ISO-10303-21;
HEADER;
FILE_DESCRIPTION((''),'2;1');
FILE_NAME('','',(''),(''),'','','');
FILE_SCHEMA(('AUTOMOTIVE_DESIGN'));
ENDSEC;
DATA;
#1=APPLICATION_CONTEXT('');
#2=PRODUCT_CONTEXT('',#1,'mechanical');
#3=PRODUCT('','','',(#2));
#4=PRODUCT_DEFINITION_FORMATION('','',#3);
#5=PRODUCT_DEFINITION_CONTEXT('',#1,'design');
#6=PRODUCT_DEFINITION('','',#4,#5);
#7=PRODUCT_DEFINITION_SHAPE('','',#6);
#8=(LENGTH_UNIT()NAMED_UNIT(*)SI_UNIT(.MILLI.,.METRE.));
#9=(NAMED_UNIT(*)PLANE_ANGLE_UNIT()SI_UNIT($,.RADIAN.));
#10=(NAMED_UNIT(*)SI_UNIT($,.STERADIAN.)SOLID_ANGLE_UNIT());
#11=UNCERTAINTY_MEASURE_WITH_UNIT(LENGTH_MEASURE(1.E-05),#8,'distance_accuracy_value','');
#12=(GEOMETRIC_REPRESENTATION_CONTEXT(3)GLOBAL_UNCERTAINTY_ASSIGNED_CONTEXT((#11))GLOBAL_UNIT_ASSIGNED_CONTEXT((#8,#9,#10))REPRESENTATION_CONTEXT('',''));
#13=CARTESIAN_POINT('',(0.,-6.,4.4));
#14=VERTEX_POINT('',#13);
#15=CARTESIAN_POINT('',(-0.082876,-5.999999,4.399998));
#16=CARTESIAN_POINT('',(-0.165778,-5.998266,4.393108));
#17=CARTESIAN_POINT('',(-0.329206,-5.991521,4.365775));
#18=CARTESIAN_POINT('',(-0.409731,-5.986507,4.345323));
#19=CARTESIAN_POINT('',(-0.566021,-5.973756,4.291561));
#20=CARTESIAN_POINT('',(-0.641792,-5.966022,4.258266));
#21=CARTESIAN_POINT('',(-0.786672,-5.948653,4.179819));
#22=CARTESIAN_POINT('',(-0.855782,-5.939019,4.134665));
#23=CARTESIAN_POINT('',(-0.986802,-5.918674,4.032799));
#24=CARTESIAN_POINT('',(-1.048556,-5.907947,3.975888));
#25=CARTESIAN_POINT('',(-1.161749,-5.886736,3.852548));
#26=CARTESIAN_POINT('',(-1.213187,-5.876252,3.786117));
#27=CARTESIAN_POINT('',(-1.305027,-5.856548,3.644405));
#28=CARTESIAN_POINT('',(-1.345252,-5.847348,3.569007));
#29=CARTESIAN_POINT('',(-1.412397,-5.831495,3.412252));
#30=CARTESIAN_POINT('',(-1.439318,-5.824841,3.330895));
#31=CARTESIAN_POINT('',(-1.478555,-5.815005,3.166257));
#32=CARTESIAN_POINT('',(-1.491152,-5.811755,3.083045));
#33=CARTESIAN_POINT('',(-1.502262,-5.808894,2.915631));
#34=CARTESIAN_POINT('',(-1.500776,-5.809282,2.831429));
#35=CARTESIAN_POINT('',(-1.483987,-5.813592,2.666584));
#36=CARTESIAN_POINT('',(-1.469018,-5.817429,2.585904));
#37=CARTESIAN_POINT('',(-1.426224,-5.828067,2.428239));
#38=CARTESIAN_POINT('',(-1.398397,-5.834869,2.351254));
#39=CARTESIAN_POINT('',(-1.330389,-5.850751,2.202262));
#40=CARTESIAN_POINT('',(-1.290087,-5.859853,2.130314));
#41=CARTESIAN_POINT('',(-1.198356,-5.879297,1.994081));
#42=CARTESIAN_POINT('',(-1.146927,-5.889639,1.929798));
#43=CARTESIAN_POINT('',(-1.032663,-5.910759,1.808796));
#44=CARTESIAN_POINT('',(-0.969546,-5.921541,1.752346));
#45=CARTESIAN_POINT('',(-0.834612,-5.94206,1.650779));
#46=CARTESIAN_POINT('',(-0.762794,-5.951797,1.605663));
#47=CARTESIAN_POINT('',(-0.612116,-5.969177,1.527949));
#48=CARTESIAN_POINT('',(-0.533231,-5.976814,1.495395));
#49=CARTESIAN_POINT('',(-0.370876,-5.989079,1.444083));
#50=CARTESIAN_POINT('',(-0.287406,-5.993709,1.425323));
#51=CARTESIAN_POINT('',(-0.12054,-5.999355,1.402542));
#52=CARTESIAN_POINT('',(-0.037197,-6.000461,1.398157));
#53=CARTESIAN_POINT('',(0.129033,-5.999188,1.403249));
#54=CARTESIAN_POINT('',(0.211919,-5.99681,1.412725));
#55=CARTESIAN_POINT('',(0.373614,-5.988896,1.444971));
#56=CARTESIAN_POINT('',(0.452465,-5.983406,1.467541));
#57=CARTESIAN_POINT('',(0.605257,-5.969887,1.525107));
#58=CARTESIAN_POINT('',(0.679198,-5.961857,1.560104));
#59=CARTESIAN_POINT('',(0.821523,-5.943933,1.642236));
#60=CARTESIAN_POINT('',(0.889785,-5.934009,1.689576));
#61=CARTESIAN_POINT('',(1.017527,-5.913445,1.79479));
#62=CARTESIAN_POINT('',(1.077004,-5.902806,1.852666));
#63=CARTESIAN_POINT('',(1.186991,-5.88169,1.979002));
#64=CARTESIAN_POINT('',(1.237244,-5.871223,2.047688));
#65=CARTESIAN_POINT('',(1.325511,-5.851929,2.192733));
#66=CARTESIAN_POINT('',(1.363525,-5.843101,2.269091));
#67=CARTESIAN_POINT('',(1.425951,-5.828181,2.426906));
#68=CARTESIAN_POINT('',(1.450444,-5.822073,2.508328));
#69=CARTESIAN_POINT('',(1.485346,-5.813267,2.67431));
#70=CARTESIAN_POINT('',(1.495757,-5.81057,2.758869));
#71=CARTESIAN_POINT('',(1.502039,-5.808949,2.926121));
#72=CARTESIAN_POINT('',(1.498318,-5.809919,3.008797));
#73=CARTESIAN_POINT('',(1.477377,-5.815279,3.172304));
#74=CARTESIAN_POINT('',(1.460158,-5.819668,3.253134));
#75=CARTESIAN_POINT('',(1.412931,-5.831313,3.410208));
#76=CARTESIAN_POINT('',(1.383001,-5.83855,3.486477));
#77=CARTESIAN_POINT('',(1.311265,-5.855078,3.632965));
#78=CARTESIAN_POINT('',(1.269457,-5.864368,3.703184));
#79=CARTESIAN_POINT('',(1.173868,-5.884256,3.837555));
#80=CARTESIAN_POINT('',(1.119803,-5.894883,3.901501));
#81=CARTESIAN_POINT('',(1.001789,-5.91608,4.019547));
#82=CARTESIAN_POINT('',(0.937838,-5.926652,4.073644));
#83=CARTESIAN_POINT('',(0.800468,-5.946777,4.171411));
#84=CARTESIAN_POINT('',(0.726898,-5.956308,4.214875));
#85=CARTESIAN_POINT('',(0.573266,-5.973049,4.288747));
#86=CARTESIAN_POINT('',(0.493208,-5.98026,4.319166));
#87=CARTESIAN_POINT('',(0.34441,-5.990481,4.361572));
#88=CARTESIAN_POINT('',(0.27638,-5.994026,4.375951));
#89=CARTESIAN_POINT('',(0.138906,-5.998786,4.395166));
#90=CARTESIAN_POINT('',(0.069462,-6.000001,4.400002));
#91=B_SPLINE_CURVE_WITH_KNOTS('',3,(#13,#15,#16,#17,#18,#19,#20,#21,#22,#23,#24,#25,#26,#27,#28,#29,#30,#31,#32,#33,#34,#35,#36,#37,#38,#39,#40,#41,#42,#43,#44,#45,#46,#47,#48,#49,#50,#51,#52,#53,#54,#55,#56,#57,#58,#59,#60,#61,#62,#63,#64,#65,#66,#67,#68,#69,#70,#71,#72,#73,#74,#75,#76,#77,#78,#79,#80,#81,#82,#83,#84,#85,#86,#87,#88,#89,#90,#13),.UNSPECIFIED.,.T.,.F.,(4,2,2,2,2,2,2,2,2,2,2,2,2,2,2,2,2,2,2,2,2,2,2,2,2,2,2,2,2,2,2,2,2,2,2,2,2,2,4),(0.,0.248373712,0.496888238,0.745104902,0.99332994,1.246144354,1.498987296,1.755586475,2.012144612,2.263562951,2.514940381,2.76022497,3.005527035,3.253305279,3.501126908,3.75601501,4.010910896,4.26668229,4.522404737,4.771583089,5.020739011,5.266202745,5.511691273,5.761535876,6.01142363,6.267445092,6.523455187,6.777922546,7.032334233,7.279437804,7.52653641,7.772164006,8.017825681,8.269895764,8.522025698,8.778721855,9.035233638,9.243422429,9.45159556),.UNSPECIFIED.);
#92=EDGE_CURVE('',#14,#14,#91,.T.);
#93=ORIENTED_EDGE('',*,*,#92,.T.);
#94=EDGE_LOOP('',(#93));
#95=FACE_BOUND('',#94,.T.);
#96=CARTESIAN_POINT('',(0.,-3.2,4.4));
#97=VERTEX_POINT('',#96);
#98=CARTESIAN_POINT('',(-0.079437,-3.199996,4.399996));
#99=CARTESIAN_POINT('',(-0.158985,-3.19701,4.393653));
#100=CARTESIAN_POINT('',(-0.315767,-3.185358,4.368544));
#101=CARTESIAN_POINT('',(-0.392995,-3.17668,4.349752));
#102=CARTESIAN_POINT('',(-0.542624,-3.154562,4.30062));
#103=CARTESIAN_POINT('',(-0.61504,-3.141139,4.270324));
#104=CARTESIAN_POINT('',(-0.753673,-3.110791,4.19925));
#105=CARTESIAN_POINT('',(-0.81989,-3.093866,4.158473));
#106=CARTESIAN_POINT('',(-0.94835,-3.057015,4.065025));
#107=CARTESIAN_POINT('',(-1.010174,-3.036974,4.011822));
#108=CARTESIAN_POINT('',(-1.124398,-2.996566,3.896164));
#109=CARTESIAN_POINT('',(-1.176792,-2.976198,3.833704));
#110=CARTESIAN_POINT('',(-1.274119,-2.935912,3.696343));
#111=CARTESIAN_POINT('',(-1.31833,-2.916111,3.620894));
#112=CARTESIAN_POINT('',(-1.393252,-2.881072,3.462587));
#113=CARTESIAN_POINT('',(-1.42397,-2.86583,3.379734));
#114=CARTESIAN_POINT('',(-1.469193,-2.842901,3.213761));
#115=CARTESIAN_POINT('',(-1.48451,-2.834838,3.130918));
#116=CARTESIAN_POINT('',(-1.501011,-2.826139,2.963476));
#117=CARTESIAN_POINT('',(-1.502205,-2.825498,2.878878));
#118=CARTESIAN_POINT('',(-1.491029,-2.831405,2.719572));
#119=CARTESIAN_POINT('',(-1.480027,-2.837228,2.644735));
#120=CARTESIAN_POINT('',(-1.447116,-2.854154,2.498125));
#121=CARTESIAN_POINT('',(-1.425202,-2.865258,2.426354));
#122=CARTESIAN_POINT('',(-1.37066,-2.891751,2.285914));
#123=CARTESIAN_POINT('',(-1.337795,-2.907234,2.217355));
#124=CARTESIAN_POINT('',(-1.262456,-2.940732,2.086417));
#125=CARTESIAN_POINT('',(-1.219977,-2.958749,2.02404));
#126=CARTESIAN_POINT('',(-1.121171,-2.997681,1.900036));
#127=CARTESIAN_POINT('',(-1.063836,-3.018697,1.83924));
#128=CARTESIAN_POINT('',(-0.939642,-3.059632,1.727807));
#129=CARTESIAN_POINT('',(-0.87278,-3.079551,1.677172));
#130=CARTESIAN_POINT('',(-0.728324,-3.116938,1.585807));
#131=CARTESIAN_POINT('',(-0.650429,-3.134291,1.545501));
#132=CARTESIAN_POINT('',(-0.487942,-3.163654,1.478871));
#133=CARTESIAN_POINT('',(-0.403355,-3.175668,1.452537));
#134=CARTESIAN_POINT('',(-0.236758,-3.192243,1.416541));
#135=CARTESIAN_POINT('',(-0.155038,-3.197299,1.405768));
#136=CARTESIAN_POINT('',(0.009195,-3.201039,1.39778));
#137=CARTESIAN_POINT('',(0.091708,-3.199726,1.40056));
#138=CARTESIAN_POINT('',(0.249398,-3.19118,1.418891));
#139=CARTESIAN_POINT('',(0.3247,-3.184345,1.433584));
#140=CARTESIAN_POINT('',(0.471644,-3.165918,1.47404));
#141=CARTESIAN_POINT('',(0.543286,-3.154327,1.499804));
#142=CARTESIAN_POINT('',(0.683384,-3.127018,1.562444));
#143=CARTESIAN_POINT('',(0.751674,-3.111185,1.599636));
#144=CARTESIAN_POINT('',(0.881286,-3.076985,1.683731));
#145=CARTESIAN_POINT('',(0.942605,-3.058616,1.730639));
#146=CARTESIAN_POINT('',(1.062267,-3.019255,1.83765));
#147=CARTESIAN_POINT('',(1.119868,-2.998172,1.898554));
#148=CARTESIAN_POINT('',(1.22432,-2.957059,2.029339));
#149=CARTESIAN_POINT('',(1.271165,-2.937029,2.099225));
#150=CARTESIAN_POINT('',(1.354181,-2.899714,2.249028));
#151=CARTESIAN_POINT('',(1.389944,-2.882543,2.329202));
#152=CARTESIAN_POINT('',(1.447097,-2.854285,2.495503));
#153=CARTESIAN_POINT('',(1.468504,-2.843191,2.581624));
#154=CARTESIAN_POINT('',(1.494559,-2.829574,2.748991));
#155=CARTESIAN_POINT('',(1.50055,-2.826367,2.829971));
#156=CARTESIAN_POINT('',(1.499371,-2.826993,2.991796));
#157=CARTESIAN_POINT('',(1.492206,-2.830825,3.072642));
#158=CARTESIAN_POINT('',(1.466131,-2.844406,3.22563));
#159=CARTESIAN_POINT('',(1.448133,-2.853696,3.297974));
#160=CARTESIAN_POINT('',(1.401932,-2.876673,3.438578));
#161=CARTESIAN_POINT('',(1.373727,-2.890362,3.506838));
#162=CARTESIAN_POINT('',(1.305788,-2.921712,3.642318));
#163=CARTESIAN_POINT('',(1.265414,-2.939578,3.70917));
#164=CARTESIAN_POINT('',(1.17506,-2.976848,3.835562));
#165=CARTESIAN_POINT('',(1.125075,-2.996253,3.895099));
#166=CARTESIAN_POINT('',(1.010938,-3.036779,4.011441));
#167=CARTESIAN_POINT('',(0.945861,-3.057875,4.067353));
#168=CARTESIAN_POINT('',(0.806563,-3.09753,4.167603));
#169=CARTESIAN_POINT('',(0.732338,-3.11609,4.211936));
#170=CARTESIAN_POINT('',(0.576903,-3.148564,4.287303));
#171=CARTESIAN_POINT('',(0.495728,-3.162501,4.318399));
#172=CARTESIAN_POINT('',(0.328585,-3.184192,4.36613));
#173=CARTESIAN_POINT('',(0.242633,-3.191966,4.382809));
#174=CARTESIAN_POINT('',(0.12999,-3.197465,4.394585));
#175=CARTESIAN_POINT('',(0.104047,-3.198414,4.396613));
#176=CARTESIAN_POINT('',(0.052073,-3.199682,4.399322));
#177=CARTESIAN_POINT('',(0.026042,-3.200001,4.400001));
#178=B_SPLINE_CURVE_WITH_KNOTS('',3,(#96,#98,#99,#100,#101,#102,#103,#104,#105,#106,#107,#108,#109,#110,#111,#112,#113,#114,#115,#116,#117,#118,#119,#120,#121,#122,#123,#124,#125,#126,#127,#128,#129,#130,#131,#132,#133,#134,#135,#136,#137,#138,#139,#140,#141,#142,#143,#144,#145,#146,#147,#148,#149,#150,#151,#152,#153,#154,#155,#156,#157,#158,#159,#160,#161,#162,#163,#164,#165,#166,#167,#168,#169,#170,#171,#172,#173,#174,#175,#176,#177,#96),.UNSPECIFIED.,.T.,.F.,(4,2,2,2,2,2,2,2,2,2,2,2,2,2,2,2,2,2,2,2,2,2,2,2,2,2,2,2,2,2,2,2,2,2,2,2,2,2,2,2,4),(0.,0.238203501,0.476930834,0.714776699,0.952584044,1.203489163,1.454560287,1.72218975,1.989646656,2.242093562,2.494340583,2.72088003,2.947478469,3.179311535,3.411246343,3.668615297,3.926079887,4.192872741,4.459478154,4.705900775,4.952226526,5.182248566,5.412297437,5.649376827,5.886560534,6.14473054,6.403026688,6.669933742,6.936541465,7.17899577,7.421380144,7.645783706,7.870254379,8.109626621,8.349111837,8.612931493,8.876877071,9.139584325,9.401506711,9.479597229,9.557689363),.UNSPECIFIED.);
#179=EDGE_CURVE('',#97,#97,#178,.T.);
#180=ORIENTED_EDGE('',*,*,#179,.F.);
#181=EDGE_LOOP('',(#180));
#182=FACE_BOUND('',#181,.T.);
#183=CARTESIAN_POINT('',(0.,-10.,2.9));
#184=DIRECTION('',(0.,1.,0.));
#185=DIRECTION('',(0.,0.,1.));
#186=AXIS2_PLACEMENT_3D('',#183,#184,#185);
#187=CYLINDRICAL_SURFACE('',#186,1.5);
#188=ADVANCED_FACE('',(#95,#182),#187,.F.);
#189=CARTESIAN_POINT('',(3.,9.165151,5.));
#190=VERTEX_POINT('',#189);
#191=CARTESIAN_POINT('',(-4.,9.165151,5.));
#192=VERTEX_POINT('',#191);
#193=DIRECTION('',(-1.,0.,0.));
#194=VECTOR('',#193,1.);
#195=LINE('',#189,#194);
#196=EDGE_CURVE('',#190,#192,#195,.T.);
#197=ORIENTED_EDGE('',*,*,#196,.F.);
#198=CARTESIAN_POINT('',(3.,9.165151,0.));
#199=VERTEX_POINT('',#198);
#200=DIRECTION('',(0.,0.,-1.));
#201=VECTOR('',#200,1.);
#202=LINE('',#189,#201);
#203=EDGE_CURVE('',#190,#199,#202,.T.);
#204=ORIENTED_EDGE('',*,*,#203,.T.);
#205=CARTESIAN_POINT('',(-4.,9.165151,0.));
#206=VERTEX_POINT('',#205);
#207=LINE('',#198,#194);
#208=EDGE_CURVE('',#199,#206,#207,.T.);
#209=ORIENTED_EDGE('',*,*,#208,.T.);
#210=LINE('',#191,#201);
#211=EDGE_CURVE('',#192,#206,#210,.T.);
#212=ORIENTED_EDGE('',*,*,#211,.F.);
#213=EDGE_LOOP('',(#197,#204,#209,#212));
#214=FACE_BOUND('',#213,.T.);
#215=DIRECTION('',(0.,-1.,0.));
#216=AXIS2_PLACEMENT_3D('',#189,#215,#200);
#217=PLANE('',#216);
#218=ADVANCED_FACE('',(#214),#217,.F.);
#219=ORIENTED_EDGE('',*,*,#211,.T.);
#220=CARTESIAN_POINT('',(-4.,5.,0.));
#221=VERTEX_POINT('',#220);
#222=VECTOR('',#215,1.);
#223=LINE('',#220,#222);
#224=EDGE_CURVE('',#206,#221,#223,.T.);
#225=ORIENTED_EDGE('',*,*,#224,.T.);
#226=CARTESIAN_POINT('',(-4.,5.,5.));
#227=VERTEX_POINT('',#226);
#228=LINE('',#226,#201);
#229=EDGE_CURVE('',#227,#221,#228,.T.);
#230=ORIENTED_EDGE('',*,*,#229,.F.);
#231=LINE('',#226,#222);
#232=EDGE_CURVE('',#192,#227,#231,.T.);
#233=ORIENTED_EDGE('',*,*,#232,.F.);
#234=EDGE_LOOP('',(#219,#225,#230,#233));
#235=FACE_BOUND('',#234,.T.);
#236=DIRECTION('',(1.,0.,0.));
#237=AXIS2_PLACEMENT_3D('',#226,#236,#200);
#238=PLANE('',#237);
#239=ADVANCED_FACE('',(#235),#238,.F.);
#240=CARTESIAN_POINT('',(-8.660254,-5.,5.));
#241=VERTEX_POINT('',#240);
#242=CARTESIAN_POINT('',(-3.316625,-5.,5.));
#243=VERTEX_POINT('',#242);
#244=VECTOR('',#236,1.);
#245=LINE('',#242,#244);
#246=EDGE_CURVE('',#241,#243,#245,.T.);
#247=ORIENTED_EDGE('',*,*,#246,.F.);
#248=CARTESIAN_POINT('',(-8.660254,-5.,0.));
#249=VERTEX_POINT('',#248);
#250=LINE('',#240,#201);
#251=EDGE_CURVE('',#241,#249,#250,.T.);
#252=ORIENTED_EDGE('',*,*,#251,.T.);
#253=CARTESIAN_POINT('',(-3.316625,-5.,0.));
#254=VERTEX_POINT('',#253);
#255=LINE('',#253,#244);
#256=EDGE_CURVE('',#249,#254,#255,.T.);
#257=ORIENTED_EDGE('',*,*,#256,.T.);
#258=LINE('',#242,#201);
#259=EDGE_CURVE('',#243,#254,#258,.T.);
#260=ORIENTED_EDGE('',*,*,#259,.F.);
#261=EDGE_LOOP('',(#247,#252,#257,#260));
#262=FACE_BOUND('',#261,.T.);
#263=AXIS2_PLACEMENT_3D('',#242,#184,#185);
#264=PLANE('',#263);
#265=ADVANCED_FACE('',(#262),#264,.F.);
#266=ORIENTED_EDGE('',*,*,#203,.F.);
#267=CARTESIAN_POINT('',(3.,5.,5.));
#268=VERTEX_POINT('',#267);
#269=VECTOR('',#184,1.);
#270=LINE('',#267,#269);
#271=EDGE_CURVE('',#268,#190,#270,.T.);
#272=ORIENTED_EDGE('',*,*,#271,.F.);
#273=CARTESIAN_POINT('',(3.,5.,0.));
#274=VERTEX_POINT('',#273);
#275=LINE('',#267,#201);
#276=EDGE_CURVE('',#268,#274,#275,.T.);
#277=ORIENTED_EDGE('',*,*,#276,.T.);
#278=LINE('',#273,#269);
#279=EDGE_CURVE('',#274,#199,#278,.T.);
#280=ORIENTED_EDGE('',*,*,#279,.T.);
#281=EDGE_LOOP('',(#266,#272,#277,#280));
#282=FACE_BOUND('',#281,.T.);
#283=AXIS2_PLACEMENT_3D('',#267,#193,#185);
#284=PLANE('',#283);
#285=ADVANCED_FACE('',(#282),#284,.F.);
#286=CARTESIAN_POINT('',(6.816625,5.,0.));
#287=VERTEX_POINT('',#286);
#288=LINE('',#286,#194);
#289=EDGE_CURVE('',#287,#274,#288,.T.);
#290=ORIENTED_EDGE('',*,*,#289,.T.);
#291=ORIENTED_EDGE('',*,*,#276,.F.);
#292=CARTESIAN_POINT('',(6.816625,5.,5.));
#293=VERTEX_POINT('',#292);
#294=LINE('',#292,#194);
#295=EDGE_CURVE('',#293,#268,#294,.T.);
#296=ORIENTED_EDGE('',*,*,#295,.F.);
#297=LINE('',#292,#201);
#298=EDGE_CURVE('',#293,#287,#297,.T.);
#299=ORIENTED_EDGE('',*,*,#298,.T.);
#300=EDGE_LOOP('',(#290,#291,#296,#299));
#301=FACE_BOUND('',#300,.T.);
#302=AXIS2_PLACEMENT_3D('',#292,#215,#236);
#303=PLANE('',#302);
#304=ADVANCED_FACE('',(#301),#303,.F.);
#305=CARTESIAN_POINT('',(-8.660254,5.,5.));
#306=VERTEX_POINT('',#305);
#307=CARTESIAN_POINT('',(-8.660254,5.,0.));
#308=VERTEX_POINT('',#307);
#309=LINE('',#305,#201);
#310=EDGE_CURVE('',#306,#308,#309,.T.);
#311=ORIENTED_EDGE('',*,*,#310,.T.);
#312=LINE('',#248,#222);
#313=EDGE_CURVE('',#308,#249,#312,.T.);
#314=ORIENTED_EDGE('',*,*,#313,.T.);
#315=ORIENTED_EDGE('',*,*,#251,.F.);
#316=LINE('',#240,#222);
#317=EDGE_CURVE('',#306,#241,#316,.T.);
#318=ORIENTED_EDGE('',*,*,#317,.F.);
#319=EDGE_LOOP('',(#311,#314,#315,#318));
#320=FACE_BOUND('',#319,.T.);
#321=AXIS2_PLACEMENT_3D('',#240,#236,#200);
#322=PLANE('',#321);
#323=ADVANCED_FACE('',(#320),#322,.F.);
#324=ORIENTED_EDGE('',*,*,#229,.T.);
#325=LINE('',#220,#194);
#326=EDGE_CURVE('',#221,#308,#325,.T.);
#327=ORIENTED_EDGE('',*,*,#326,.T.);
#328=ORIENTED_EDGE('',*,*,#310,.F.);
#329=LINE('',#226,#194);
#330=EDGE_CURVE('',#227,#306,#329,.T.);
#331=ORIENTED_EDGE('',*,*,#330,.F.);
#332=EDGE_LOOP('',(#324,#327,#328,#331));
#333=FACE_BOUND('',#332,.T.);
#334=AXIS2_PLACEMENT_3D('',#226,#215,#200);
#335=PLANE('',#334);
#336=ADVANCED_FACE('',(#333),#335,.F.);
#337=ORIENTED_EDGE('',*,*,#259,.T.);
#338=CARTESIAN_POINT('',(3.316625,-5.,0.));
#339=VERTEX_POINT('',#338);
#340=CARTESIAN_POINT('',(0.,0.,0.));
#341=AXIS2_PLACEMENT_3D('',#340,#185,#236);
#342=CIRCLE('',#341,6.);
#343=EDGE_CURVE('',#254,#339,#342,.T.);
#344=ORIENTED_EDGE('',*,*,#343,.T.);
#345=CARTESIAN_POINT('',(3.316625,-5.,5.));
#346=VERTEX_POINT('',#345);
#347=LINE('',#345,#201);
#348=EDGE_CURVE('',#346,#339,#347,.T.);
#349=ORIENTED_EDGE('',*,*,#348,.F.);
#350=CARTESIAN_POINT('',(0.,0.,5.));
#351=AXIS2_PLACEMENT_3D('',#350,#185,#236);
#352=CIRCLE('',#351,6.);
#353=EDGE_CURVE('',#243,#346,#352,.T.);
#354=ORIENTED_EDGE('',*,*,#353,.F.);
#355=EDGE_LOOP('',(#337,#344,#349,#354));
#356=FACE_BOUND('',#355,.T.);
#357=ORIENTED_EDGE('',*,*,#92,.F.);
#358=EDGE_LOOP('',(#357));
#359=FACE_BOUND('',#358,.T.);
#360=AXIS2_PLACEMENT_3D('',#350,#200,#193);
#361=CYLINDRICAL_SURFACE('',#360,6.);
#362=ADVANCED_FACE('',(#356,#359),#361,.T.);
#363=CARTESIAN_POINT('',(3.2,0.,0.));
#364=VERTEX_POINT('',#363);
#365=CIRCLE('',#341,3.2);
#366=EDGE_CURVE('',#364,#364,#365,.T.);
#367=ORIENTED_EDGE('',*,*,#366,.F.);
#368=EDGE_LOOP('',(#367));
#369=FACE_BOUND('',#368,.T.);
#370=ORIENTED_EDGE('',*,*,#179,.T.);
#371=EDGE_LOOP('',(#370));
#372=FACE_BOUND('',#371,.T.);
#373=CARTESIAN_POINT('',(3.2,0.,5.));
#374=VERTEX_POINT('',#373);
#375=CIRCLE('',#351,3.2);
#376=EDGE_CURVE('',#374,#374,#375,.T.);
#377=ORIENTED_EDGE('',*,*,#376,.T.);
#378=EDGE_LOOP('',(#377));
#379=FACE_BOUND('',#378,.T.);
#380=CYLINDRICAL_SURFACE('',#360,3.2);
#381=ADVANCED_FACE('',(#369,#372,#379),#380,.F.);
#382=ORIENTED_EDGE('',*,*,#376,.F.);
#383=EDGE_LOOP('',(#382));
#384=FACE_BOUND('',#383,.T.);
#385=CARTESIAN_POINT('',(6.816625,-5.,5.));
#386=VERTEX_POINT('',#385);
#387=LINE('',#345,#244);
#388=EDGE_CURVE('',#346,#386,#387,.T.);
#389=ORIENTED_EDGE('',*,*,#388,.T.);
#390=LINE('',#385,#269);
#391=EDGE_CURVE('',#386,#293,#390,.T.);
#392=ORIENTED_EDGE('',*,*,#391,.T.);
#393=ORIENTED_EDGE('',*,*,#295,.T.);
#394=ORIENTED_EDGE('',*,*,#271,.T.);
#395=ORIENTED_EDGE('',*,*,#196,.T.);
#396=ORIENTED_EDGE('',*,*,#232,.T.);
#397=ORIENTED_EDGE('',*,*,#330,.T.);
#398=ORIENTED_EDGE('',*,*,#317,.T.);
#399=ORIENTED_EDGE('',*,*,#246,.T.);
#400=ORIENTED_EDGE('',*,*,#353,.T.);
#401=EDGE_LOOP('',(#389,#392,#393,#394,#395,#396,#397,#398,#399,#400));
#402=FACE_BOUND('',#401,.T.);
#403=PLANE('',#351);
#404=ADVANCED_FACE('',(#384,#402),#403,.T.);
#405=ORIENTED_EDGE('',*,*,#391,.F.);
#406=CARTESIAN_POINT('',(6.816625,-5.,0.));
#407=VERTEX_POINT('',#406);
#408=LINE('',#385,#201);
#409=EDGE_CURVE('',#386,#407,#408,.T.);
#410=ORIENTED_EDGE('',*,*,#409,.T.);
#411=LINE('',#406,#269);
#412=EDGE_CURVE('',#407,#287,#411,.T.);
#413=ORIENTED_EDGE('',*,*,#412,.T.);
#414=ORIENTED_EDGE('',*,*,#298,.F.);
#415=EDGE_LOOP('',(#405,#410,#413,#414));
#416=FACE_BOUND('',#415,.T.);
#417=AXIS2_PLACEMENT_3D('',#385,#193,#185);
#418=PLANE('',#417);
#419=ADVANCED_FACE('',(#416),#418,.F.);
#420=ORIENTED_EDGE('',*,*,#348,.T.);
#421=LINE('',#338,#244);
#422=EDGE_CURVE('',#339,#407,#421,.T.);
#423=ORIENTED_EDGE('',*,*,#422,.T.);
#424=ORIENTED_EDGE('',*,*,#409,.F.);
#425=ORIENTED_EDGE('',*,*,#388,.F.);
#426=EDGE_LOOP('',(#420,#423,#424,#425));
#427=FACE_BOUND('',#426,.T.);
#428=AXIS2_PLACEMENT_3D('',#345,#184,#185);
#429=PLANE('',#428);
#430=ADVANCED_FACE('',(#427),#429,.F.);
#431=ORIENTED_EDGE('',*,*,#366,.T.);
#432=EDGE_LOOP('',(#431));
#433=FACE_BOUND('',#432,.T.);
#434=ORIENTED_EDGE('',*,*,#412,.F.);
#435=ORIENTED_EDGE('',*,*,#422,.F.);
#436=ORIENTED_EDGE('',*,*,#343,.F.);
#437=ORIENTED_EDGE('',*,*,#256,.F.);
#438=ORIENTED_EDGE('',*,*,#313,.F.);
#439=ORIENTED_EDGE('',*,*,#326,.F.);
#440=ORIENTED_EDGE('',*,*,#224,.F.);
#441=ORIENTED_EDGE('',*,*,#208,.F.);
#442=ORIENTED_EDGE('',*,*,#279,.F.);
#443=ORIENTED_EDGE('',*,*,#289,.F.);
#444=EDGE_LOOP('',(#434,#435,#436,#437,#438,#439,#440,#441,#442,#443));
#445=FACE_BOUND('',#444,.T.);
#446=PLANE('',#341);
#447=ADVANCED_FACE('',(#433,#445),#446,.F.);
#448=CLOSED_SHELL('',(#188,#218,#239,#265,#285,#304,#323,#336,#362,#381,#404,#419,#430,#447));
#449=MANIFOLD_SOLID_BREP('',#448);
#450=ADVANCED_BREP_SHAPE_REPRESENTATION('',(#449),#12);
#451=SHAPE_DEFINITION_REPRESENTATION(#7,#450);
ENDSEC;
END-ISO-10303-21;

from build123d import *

# Parameters (mm, degrees)
SKETCH_1_R               = 3.2
EXTRUDE_1_DEPTH          = 5
CUT_EXTRUDE_1_DEPTH      = 5
CUT_EXTRUDE_1_DEPTH_BACK = 5
SKETCH_2_R               = 1.5


with BuildPart() as part:
    # 草图1 → 凸台-拉伸1 (new body)
    with BuildSketch(Plane.XY):
        with BuildLine():
            Line((-3.31662479, -5), (-8.660254038, -5))
            Line((-8.660254038, -5), (-8.660254038, 5))
            Line((-8.660254038, 5), (-4, 5))
            Line((-4, 5), (-4, 9.16515139))
            Line((-4, 9.16515139), (3, 9.16515139))
            Line((3, 9.16515139), (3, 5))
            Line((3, 5), (6.81662479, 5))
            Line((6.81662479, 5), (6.81662479, -5))
            Line((6.81662479, -5), (3.31662479, -5))
            ThreePointArc((3.31662479, -5), (0, -6), (-3.31662479, -5))
        make_face()
        Circle(SKETCH_1_R, mode=Mode.SUBTRACT)
    extrude(amount=EXTRUDE_1_DEPTH)

    # 草图2 → 切除-拉伸1 (cut, two sides: drawn at the far end of the back side and taken through both)
    with BuildSketch(Plane.XZ.offset(5).offset(-CUT_EXTRUDE_1_DEPTH_BACK)):
        with Locations((0, 2.9)):
            Circle(SKETCH_2_R)
    extrude(amount=CUT_EXTRUDE_1_DEPTH + CUT_EXTRUDE_1_DEPTH_BACK, mode=Mode.SUBTRACT)


solid = part.part
